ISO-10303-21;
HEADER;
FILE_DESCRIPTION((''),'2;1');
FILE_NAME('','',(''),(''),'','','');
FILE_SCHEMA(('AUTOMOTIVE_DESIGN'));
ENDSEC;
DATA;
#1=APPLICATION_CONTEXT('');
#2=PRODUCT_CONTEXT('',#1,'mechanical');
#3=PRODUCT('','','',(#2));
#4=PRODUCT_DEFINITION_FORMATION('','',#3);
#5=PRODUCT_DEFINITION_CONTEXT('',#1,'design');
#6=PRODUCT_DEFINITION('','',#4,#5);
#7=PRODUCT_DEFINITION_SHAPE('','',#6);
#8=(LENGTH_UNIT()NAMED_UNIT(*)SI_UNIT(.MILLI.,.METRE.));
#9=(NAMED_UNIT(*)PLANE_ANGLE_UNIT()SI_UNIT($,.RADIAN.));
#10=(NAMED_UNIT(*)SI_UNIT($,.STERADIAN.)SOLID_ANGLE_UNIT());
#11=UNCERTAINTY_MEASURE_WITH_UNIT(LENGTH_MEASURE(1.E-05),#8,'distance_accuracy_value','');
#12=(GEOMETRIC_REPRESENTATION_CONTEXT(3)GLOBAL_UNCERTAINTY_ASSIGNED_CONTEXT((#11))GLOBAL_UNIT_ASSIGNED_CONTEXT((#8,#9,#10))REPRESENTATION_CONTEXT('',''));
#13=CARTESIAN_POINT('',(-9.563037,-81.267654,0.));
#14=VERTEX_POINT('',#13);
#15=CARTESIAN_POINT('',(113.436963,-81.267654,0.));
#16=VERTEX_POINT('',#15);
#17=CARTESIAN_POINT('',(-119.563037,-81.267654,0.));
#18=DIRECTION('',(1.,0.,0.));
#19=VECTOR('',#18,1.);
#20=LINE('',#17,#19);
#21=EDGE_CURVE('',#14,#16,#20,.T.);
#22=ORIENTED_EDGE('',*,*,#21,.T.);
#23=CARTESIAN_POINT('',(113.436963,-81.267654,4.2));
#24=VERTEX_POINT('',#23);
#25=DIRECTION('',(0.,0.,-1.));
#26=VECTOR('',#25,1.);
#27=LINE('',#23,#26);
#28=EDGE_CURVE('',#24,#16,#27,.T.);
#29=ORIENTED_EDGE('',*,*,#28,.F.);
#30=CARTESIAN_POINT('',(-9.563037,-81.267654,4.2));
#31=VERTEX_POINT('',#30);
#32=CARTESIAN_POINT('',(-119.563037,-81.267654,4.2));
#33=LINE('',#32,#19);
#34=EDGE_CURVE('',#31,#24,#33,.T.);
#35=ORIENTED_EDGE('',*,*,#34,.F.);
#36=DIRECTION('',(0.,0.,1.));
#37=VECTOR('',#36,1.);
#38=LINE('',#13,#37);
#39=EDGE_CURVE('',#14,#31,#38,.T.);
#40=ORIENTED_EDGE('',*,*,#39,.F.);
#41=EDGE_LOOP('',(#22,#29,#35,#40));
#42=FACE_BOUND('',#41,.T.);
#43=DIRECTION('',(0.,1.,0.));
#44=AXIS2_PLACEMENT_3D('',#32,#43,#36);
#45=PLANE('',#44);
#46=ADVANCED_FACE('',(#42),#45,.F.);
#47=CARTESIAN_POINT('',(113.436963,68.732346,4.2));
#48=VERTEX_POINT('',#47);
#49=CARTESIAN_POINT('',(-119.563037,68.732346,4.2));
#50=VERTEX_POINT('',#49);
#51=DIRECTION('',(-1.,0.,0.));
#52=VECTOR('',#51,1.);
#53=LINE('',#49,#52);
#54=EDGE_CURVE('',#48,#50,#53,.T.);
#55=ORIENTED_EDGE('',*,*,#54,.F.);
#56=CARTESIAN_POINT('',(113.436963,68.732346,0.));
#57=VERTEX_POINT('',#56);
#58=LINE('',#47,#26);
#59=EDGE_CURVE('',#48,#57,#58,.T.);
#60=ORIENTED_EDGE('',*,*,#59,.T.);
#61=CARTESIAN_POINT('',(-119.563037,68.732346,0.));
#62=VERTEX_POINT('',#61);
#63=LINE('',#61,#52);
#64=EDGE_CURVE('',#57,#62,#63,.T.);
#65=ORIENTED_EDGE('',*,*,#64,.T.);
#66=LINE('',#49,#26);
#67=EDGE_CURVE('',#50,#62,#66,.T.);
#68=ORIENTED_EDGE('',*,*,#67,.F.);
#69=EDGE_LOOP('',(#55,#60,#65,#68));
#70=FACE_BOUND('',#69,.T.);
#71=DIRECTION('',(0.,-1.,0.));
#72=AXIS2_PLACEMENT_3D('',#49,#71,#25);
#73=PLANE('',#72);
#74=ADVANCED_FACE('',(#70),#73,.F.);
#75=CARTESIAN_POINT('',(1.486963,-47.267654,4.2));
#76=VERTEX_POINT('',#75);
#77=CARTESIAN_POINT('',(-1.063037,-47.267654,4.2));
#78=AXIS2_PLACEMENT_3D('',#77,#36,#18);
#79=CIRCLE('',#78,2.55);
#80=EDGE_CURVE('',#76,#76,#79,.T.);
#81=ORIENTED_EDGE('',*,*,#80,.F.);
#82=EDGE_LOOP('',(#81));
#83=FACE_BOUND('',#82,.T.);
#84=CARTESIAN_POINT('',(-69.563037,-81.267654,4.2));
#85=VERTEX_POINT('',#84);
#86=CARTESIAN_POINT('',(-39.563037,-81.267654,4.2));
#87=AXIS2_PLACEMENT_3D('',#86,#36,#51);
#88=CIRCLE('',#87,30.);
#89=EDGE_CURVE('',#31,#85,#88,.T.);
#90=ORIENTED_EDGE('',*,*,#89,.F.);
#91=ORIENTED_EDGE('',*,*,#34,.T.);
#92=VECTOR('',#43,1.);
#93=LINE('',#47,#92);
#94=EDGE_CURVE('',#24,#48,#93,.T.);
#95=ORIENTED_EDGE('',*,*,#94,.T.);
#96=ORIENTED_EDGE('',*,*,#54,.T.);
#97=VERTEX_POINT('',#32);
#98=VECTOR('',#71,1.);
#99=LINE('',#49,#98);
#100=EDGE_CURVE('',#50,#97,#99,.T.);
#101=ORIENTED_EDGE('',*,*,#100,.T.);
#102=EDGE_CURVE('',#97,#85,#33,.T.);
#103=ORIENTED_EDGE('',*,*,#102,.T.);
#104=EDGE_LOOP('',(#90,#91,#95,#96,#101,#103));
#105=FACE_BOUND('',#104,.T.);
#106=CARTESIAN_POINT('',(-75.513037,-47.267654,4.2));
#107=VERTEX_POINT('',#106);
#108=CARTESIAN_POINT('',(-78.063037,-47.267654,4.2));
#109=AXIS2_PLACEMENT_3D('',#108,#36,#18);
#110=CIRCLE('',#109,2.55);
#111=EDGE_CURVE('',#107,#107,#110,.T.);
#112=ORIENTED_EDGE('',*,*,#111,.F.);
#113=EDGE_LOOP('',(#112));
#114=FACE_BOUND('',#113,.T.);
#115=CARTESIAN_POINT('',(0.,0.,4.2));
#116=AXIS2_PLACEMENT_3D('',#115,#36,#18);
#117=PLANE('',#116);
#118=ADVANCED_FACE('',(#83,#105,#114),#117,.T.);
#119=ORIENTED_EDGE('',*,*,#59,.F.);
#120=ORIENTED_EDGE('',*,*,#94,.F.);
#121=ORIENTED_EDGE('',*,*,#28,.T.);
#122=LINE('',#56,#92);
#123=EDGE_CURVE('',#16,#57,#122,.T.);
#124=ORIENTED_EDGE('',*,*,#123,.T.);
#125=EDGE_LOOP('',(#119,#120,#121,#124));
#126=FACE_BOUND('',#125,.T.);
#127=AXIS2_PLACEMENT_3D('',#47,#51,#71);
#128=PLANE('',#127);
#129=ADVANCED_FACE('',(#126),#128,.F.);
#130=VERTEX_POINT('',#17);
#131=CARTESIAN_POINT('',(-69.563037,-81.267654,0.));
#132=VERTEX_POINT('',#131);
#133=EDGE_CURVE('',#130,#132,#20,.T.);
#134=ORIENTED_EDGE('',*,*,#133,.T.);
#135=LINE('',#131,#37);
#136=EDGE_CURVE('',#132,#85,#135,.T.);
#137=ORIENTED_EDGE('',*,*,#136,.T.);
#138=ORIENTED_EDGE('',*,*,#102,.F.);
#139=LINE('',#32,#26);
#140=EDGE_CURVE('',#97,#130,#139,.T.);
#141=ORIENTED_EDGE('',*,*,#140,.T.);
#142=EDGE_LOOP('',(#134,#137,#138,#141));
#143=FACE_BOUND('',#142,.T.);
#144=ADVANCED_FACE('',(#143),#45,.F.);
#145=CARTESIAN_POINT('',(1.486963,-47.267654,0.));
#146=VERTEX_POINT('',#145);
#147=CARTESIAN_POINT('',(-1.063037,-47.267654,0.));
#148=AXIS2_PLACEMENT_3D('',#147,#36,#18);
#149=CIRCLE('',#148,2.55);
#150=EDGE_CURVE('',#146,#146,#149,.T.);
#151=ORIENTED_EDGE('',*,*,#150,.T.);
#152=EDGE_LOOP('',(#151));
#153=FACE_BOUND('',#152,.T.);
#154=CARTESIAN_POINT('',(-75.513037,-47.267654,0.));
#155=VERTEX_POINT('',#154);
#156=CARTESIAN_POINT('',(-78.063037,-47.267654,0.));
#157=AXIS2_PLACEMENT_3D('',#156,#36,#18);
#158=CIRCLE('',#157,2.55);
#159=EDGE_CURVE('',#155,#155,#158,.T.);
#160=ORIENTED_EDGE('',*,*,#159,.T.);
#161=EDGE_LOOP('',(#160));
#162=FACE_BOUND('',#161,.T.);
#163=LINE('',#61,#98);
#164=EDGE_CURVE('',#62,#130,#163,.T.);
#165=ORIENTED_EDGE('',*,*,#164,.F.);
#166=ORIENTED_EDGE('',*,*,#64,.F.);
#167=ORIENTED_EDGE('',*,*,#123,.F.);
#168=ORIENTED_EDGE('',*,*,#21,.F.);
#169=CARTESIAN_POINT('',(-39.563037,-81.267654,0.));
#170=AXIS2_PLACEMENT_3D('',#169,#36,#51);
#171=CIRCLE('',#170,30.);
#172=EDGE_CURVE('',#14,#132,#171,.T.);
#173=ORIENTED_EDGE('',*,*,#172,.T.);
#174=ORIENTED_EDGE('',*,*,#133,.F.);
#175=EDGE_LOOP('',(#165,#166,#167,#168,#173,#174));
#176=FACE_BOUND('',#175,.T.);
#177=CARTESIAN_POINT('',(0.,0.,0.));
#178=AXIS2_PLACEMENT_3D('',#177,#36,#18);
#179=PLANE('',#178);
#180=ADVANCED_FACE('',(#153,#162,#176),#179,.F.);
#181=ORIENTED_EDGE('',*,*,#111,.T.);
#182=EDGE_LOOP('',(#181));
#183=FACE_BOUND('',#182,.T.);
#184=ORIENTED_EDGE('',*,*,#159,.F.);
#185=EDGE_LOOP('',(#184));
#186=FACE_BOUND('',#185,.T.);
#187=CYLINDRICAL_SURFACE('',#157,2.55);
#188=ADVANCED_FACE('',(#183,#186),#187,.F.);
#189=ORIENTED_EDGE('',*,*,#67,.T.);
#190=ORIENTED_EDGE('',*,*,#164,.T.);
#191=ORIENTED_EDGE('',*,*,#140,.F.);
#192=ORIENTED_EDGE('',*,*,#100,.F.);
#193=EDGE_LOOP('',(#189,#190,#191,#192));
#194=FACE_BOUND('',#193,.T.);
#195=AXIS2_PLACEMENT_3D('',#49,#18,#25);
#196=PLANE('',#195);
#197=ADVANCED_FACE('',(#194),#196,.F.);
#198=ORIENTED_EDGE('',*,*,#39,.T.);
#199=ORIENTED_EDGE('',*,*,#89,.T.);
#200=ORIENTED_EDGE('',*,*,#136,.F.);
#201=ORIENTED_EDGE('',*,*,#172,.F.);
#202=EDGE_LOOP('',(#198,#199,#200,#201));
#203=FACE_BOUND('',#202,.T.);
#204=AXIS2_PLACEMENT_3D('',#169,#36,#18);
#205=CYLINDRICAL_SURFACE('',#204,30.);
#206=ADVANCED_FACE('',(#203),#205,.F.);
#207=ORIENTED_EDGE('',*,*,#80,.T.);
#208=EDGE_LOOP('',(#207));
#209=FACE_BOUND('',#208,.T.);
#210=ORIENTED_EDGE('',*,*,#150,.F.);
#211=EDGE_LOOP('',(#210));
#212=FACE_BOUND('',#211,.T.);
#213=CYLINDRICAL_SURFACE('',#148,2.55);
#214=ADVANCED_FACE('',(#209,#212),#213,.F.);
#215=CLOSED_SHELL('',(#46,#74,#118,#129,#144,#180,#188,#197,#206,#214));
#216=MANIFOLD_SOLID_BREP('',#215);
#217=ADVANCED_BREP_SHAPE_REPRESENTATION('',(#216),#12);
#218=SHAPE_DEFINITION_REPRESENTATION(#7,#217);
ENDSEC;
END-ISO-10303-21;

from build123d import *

# Parameters (mm, degrees)
ESQUISSE1_W             = 233
ESQUISSE1_H             = 150
BOSS_EXTRU_1_DEPTH      = 4.2
ESQUISSE2_R             = 2.55
ENL_V_MAT_EXTRU_1_DEPTH = 145.628460094


with BuildPart() as part:
    # Esquisse1 → Boss.-Extru.1 (new body)
    with BuildSketch(Plane.XY):
        with Locations((-3.063037439, -6.267653759)):
            Rectangle(ESQUISSE1_W, ESQUISSE1_H)
    extrude(amount=BOSS_EXTRU_1_DEPTH)

    # Esquisse2 → Enlèv. mat.-Extru.1 (cut, through all)
    with BuildSketch(Plane.XY.offset(4.2)):
        with Locations((-78.063037439, -47.267653759)):
            Circle(ESQUISSE2_R)
        with Locations((-1.063037439, -47.267653759)):
            Circle(ESQUISSE2_R)
        with BuildLine():
            Line((-69.563037439, -81.267653759), (-9.563037439, -81.267653759))
            ThreePointArc((-9.563037439, -81.267653759), (-39.563037439, -51.267653759), (-69.563037439, -81.267653759))
        make_face()
    extrude(amount=-ENL_V_MAT_EXTRU_1_DEPTH, mode=Mode.SUBTRACT)


solid = part.part
